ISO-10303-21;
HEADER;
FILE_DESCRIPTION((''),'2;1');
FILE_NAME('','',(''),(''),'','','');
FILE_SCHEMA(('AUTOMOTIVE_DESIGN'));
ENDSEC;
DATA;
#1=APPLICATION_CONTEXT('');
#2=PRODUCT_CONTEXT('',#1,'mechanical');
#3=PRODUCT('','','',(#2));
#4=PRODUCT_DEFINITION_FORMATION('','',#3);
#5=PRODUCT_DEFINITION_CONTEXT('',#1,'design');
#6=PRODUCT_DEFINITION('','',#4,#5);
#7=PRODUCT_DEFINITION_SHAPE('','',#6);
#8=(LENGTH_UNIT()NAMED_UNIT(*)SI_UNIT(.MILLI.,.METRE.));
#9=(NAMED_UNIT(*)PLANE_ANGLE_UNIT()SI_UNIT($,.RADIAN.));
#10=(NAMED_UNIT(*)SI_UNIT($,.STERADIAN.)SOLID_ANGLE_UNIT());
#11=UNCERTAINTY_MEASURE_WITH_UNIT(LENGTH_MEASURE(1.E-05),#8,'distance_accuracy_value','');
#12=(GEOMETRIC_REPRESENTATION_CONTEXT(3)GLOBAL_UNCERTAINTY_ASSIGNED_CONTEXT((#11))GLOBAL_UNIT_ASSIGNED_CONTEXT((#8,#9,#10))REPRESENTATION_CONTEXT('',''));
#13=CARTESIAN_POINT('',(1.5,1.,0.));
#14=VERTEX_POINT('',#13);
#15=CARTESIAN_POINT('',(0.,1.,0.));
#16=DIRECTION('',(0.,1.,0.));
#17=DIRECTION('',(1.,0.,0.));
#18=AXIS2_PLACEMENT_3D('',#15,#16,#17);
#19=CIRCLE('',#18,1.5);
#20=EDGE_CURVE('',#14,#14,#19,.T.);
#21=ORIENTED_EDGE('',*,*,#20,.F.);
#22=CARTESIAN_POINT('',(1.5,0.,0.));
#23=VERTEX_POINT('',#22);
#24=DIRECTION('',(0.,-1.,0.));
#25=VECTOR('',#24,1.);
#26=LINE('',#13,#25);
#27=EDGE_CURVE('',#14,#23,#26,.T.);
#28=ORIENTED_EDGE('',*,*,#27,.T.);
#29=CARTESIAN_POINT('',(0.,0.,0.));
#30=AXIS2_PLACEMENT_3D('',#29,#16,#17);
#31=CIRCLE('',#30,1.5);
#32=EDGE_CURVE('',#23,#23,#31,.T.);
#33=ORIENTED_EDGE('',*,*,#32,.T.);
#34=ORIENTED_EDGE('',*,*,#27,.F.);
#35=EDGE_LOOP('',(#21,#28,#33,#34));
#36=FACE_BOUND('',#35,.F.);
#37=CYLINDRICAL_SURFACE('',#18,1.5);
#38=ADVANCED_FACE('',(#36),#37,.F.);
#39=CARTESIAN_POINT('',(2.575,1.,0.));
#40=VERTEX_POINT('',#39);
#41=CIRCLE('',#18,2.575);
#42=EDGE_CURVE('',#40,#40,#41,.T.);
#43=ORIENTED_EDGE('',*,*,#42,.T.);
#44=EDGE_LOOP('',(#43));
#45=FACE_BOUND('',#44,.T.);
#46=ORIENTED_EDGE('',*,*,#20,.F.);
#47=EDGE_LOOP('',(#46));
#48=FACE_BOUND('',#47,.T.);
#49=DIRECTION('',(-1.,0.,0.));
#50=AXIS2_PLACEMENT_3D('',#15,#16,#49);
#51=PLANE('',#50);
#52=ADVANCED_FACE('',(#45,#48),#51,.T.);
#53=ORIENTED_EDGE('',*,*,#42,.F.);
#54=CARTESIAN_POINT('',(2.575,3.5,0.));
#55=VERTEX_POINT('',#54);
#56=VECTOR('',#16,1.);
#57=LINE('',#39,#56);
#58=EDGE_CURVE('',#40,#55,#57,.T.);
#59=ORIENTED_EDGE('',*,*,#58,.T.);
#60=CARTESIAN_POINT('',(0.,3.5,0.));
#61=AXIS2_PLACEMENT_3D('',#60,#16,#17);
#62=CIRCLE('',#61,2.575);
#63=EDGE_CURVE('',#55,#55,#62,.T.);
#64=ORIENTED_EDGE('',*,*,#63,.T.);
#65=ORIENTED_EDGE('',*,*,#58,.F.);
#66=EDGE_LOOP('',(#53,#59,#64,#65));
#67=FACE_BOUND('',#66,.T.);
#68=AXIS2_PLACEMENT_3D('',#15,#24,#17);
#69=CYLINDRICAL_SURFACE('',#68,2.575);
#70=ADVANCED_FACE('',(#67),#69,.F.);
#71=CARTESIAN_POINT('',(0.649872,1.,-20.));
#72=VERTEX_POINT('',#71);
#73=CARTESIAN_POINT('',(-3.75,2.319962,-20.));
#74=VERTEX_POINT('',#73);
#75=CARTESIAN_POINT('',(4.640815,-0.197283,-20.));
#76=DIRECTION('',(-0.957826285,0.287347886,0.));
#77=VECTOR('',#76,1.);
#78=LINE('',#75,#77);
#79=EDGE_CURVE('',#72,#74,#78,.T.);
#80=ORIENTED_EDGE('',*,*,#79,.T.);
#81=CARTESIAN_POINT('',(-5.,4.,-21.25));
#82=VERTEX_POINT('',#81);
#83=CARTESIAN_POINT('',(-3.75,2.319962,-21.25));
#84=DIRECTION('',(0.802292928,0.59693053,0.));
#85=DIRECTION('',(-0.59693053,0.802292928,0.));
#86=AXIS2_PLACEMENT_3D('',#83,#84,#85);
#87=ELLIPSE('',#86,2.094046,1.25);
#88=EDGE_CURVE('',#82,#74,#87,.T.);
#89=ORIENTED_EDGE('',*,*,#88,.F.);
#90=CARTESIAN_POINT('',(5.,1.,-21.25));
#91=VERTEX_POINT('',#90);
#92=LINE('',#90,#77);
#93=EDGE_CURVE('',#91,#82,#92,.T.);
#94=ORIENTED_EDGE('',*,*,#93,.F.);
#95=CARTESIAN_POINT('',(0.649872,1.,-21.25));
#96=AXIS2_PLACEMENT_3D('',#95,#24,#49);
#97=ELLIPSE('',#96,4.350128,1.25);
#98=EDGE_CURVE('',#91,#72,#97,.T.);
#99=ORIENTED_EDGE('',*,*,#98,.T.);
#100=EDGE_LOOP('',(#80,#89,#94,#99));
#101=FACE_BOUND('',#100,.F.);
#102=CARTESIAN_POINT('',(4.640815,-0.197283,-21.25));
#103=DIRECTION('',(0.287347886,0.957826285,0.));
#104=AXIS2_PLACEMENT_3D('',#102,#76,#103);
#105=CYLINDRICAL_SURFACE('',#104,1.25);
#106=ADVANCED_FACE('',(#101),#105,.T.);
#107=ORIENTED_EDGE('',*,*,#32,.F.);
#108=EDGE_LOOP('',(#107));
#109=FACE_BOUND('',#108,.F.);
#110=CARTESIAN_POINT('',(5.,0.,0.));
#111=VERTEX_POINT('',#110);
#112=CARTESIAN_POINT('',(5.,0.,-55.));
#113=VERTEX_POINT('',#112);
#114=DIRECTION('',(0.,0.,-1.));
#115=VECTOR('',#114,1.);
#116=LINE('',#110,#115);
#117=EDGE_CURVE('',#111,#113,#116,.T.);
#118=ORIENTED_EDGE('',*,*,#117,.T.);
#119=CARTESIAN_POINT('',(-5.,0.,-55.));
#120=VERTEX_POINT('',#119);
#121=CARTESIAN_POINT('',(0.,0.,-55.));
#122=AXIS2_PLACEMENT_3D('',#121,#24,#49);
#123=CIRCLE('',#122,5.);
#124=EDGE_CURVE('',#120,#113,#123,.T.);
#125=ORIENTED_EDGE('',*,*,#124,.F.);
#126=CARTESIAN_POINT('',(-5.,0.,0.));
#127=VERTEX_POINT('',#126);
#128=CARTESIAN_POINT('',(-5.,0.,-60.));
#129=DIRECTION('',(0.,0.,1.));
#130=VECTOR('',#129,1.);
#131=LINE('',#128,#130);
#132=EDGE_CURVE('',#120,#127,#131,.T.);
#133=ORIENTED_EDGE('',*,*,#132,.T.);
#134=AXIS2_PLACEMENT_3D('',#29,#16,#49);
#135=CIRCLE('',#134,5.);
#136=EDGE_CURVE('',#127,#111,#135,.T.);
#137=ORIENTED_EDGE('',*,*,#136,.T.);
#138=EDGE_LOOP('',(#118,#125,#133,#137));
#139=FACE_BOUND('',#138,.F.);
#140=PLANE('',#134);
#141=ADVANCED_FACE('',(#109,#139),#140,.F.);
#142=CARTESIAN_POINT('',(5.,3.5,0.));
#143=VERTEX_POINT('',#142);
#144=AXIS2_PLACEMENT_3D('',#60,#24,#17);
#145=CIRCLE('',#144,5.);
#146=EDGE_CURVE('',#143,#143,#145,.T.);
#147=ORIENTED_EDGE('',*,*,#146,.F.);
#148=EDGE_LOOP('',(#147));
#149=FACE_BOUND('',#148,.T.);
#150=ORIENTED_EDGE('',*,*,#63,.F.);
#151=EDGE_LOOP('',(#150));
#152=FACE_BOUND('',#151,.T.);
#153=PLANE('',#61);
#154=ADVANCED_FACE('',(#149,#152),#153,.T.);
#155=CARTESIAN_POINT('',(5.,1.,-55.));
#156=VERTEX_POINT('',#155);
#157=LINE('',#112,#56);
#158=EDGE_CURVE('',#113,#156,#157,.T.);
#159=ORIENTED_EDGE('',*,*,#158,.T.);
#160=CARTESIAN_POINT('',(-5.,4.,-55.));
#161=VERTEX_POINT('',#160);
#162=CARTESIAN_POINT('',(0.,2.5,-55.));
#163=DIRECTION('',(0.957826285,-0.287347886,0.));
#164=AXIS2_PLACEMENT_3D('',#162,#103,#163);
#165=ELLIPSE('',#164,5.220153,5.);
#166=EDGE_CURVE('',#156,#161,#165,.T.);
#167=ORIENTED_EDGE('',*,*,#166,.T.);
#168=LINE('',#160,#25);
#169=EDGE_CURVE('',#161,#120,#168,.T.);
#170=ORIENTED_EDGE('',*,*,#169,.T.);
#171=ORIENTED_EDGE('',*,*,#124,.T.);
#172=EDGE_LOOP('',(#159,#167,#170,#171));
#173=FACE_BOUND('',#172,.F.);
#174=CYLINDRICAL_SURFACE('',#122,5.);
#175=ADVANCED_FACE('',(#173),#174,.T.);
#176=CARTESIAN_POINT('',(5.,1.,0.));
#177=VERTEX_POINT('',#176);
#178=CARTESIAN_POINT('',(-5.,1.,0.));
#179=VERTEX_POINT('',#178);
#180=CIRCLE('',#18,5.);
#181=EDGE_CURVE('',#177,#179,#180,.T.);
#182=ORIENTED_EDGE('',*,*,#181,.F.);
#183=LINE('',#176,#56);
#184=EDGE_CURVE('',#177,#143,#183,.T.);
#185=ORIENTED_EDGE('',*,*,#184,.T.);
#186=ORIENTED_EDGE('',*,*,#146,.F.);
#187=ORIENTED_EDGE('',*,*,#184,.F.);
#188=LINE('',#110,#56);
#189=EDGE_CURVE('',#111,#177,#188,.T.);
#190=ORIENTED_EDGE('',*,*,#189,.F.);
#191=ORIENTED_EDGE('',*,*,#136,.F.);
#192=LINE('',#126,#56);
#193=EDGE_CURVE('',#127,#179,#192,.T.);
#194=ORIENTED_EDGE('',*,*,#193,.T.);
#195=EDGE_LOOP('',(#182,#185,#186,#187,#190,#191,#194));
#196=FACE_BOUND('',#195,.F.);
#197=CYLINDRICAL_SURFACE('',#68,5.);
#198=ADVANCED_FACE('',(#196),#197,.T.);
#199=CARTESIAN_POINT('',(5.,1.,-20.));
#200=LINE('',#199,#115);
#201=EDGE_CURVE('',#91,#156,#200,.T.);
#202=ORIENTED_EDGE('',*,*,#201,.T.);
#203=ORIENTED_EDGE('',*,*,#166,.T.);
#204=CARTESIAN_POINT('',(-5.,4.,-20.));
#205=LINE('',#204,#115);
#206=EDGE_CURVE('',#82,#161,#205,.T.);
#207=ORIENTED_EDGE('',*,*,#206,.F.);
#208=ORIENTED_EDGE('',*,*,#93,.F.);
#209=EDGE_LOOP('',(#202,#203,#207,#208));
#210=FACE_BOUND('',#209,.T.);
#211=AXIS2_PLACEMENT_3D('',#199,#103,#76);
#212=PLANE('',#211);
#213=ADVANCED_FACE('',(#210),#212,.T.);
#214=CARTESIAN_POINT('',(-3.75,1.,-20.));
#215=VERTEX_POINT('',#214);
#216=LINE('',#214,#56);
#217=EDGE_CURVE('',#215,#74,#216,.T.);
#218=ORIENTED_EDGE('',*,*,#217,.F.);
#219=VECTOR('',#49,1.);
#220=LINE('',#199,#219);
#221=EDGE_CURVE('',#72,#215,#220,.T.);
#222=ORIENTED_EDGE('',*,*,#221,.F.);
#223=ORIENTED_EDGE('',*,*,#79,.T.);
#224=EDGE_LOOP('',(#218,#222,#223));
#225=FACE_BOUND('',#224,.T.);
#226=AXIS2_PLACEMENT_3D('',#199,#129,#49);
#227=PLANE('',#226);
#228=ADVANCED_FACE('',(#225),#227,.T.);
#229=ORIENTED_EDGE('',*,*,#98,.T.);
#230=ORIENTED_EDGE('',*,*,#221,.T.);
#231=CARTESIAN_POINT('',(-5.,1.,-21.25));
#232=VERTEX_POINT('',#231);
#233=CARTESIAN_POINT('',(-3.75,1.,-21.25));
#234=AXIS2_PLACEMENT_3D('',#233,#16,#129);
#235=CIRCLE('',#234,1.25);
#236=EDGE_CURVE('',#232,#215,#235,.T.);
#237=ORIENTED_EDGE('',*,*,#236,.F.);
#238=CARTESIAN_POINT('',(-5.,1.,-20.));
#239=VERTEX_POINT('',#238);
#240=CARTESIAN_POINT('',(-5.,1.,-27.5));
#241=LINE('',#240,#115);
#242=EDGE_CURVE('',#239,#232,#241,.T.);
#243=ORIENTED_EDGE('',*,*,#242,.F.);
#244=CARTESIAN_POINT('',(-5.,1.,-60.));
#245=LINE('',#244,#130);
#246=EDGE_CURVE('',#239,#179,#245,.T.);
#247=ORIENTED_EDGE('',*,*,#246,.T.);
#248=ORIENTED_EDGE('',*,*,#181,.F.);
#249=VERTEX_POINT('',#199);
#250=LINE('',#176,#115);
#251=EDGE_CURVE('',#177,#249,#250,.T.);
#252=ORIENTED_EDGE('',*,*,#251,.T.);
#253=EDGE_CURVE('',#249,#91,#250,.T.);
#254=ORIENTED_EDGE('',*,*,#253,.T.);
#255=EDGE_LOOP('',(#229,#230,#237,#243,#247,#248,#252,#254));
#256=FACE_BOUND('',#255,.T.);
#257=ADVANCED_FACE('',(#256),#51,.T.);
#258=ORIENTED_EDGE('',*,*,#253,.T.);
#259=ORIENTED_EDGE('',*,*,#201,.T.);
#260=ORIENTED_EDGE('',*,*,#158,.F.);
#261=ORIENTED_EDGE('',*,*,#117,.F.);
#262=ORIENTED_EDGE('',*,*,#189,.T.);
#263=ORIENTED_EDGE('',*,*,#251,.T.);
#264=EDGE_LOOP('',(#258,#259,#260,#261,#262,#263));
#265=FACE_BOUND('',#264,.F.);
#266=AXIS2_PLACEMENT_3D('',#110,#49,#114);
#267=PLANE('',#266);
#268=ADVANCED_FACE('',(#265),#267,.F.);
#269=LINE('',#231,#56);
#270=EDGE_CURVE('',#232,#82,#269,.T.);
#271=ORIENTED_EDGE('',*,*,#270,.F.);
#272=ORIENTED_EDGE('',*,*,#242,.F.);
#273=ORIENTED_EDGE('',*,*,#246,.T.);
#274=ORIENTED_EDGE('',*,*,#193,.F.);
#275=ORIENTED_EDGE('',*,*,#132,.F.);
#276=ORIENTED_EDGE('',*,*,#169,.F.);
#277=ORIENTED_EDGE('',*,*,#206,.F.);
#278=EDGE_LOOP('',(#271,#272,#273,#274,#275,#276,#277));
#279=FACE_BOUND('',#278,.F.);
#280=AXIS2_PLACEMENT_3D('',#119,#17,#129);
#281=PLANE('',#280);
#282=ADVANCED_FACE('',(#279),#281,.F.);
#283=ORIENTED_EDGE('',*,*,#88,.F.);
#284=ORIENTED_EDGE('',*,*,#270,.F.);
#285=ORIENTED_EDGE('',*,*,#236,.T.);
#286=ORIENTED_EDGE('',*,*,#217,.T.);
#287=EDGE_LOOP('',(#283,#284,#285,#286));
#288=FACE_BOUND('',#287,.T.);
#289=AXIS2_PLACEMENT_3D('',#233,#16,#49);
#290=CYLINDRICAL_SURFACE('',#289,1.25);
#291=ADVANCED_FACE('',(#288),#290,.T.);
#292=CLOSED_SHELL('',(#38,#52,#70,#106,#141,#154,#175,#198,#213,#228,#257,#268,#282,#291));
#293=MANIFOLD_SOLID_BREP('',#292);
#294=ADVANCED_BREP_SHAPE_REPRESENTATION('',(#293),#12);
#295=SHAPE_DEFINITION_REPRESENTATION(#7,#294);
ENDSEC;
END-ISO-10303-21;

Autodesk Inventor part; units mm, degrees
ref_plane "YZ Plane" through (0, 0, 0) normal (1, 0, 0) x (0, 1, 0)
ref_plane "XZ Plane" through (0, 0, 0) normal (0, 1, 0) x (-1, 0, 0)
ref_plane "XY Plane" through (0, 0, 0) normal (0, 0, 1) x (1, 0, 0)
sketch "Skizze1" plane through (0, 0, 0) normal (0, 1, 0) x (-1, 0, 0)
  circle A0 centre (0, 0) radius 2.6
  circle A1 centre (0, 0) radius 5
  line L0 (5, 0) -> (-5, 0)
  line L1 (-5, 0) -> (-5, -60)
  line L2 (-5, -60) -> (5, -60)
  line L3 (5, -60) -> (5, 0)
  circle A2 centre (0, -55) radius 5
  point P0 (-5, -55)
  point P1 (5, -55)
  dimension "d1" = 10
  dimension "d0" = 5.2
  dimension "d2" = 60
extrude "Extrusion1" add sketch "Skizze1" along normal blind 1 contours L0 A0 | L0 A1 A0 | A0 L0 A1 | A0 L0 | L3 A2 L1 A1 | A2
sketch "Skizze2" plane through (0, 1, 0) normal (0, 1, 0) x (1, 0, 0)
  circle A0 centre (0, 0) radius 2.575
  line L0 (-5, 55) -> (-5, 0) projected
  circle A1 centre (0, 0) radius 5
  dimension "d5" = 5.15
extrude "Extrusion2" add sketch "Skizze2" along normal blind 2.5
sketch "Skizze3" plane through (0, 1, 0) normal (0, 1, 0) x (1, 0, 0)
  circle A0 centre (0, 0) radius 1.5
  dimension "d8" = 3
extrude "Extrusion3" cut sketch "Skizze3" against normal blind 2.5
sketch "Skizze5" plane through (0, 1, 0) normal (0, 1, 0) x (1, 0, 0)
  arc A0 (5, 55) -> (-5, 55) centre (0, 55) ccw projected
  line L0 (5, 20) -> (-5, 20)
  line L1 (-5, 20) -> (-5, 55)
  line L2 (-5, 55) -> (5, 55)
  line L3 (5, 55) -> (5, 20)
  arc A1 (5, 55) -> (-5, 55) centre (0, 55) ccw
  point P0 (0, 0)
extrude "Extrusion4" add sketch "Skizze5" along normal blind 3
sketch "Skizze6" plane through (-5, 1, -20) normal (0, 0, 1) x (1, 0, 0)
  line L0 (0, 0) -> (0, 3) projected
  line L1 (0, 3) -> (0, 0)
  line L2 (10, 0) -> (0, 0) projected
  line L3 (0, 0) -> (10, 0)
  line L4 (0, 3) -> (10, 3) projected
  line L5 (10, 0) -> (0, 3)
  line L6 (0, -1) -> (0, 3) projected
  line L7 (0, 3) -> (10, 3)
  line L8 (10, -1) -> (10, 3) projected
  line L9 (10, 3) -> (10, 0)
  point P0 (5, -1)
extrude "Extrusion5" cut sketch "Skizze6" against normal blind 47 contours L4 L8 L5
fillet "Rundung1" radius 1.25 2 edges at (0, 2.5, -20) (-5, 2.5, -20)
equation "\"Biegeradius\" = Stärke"
equation "\"BreiteBiegungsfreistellung\" = Stärke"
equation "\"TiefeBiegungsfreistellung\" = 0.5 * Stärke"
equation "\"GrößeEckenfreistellung\" = 4 * Stärke"
equation "\"MinimalRest\" = 2 * Stärke"
equation "\"Übergangsradius\" = Biegeradius"
equation "\"JacobiRadiusGröße\" = Biegeradius"
equation "\"Abstandsgröße\" = Stärke"
equation "\"Stärke\" = 0.5"
properties part number "Pbj5"
